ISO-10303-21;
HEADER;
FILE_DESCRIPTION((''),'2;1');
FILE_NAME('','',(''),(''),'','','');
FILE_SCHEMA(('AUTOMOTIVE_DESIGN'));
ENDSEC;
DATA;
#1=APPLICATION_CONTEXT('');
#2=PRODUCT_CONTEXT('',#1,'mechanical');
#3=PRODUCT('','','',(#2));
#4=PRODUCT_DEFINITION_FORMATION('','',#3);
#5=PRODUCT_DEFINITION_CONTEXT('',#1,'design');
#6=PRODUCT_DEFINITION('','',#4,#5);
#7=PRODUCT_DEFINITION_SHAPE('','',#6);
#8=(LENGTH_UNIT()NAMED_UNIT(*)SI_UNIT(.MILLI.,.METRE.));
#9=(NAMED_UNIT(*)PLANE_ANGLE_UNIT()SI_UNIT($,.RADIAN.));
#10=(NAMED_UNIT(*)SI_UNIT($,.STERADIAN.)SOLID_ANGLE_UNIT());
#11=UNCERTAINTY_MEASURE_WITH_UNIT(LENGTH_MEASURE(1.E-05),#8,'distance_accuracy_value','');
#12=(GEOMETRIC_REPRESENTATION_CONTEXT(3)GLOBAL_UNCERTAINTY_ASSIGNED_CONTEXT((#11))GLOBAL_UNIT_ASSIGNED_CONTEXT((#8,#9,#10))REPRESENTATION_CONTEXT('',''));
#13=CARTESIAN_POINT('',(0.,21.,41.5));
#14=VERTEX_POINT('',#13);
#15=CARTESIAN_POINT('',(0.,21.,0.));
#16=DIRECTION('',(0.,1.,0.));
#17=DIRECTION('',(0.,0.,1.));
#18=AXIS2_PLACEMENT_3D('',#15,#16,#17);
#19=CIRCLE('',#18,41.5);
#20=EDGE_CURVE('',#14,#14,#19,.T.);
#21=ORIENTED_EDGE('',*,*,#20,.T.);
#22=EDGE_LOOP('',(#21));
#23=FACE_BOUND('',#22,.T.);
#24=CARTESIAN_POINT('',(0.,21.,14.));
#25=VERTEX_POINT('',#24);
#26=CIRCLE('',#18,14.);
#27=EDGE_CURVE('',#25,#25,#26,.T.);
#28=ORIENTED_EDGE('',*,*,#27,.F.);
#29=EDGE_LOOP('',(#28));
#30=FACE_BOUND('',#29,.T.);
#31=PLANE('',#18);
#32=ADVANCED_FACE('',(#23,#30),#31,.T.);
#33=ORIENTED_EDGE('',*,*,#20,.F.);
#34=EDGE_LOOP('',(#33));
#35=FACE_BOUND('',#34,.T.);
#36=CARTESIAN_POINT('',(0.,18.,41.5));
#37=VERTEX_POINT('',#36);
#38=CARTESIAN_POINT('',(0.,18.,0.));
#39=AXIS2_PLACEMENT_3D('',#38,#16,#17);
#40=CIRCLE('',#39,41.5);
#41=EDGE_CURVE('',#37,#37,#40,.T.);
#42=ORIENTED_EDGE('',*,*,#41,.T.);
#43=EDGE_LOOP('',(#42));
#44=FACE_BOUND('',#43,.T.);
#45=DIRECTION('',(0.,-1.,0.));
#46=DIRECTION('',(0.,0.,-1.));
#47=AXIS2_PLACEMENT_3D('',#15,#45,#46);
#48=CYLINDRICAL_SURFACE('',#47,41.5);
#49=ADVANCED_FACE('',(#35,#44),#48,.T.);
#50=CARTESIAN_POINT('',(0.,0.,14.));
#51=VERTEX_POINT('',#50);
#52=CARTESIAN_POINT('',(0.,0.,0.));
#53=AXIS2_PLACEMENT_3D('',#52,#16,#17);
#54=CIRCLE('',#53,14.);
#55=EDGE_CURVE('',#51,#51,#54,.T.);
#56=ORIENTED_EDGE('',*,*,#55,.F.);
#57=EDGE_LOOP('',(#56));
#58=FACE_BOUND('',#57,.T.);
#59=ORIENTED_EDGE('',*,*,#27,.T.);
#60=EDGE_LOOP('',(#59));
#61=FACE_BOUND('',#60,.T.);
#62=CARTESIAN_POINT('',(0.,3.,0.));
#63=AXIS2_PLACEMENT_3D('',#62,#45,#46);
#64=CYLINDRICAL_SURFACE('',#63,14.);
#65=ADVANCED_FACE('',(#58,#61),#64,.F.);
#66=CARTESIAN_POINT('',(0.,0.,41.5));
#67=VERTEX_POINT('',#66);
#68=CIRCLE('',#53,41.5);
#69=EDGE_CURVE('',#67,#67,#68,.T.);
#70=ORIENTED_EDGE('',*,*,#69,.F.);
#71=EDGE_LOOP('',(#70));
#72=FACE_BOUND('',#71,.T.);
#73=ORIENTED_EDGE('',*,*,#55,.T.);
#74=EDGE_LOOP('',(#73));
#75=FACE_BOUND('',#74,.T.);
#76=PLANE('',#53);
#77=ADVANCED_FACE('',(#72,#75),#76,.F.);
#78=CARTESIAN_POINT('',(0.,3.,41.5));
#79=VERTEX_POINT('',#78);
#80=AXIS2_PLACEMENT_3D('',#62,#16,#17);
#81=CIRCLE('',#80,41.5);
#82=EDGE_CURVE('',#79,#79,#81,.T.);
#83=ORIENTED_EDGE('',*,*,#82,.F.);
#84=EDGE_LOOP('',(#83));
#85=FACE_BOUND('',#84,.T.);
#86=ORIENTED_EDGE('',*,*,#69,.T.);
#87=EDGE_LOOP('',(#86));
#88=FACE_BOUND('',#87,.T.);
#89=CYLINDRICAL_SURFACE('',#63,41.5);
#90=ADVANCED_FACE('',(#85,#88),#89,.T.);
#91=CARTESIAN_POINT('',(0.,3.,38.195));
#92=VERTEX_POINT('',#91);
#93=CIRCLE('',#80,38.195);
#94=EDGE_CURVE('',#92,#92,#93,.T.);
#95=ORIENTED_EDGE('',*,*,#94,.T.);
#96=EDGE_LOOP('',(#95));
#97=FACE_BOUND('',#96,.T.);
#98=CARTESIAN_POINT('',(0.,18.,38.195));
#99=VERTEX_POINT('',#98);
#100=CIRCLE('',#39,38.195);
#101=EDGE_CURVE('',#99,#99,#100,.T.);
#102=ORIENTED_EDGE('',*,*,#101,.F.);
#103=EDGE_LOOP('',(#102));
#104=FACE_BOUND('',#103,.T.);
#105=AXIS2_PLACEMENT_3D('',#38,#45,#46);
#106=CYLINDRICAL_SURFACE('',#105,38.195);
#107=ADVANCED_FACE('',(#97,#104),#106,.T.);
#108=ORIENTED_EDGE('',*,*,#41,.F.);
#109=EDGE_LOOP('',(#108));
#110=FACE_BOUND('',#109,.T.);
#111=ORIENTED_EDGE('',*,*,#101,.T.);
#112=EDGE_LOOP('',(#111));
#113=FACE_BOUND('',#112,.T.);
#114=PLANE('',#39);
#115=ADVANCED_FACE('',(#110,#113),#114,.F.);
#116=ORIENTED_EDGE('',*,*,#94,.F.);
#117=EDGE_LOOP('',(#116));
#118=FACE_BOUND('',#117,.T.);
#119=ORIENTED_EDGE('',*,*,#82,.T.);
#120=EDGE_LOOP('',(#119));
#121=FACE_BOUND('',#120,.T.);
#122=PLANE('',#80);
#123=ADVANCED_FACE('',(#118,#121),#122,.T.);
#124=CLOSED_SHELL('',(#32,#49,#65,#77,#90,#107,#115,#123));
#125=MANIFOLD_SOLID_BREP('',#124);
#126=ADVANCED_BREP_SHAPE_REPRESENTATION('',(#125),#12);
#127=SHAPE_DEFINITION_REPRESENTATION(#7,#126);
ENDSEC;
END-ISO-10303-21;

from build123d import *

# Parameters (mm, degrees)
SKETCH1_R           = 41.5
SKETCH1_R_2         = 14
BOSS_EXTRUDE1_DEPTH = 3
SKETCH2_R           = 38.195
SKETCH2_R_2         = 14
BOSS_EXTRUDE2_DEPTH = 15
SKETCH3_R           = 41.5
SKETCH3_R_2         = 14
BOSS_EXTRUDE3_DEPTH = 3


with BuildPart() as part:
    # Sketch1 → Boss-Extrude1 (new body)
    with BuildSketch(Plane(origin=(0, 0, 0), x_dir=(1, 0, 0), z_dir=(0, 1, 0))):
        with Locations(Location((0, 0, 0), (0, 0, 270))):
            Circle(SKETCH1_R)
        with Locations(Location((0, 0, 0), (0, 0, 270))):
            Circle(SKETCH1_R_2, mode=Mode.SUBTRACT)
    extrude(amount=BOSS_EXTRUDE1_DEPTH)

    # Sketch2 → Boss-Extrude2 (add)
    with BuildSketch(Plane(origin=(0, 3, 0), x_dir=(1, 0, 0), z_dir=(0, 1, 0))):
        with Locations(Location((0, 0, 0), (0, 0, 270))):
            Circle(SKETCH2_R)
        with Locations(Location((0, 0, 0), (0, 0, 270))):
            Circle(SKETCH2_R_2, mode=Mode.SUBTRACT)
    extrude(amount=BOSS_EXTRUDE2_DEPTH)

    # Sketch3 → Boss-Extrude3 (add)
    with BuildSketch(Plane(origin=(0, 18, 0), x_dir=(1, 0, 0), z_dir=(0, 1, 0))):
        with Locations(Location((0, 0, 0), (0, 0, 270))):
            Circle(SKETCH3_R)
        with Locations(Location((0, 0, 0), (0, 0, 270))):
            Circle(SKETCH3_R_2, mode=Mode.SUBTRACT)
    extrude(amount=BOSS_EXTRUDE3_DEPTH)


solid = part.part
